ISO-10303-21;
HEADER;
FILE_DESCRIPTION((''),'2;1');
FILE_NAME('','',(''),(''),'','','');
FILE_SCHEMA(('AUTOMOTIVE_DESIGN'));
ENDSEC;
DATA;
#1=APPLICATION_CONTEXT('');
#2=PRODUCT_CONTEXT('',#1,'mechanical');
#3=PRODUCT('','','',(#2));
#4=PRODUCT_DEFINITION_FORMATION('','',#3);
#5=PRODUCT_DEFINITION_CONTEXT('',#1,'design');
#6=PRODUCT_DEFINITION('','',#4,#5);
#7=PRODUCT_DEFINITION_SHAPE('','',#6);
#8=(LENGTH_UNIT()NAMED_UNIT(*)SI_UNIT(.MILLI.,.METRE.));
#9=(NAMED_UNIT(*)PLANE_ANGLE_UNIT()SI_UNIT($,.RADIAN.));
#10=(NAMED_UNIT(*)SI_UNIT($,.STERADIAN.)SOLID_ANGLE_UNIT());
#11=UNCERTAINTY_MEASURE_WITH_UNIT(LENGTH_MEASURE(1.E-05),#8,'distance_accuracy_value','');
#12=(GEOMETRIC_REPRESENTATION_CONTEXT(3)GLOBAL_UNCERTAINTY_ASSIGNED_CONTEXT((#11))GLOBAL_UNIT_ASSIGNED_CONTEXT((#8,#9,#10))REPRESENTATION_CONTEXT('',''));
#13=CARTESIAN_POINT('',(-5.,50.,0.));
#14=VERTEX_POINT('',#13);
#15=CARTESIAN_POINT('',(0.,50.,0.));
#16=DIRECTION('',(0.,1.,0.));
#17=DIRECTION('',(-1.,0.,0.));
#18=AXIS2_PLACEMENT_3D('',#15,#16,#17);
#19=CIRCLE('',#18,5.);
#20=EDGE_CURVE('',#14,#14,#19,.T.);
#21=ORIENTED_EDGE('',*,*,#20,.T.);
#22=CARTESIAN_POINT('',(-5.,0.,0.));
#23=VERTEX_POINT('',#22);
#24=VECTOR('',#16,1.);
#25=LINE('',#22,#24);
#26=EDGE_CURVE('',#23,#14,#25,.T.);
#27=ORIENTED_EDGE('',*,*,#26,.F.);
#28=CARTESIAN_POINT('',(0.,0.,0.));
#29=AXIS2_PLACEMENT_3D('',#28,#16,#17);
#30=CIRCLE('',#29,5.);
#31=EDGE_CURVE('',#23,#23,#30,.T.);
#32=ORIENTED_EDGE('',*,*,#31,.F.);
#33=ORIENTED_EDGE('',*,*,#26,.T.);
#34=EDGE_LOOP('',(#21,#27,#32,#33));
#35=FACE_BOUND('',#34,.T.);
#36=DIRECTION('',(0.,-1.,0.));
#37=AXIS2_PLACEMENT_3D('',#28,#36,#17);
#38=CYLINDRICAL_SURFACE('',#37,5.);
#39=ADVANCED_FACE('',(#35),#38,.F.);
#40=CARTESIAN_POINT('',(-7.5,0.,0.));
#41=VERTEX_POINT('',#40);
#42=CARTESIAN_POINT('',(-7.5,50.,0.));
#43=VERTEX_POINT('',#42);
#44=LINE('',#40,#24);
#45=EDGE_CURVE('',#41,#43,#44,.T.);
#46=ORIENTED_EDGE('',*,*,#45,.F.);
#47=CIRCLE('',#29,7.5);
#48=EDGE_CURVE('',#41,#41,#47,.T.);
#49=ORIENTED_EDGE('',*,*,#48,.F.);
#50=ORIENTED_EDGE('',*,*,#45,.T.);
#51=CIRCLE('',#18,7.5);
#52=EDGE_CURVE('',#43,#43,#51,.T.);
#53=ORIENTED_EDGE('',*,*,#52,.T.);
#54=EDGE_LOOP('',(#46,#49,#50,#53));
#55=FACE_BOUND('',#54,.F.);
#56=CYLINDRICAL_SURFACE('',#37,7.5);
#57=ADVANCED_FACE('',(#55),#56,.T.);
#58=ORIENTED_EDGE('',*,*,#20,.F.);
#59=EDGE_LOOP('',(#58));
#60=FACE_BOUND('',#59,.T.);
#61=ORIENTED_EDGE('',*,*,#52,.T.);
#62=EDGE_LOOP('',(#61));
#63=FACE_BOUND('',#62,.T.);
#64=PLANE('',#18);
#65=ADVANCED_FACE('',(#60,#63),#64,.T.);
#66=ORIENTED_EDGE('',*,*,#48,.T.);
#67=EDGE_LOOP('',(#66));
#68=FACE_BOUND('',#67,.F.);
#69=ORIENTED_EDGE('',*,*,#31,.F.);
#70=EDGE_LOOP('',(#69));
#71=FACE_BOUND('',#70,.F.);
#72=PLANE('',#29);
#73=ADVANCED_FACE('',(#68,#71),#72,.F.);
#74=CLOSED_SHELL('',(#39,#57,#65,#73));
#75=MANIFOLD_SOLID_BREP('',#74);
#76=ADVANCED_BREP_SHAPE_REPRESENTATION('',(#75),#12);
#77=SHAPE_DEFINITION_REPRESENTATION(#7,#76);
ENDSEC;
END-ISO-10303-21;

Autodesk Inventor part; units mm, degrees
ref_plane "YZ Plane" through (0, 0, 0) normal (1, 0, 0) x (0, 1, 0)
ref_plane "XZ Plane" through (0, 0, 0) normal (0, 1, 0) x (-1, 0, 0)
ref_plane "XY Plane" through (0, 0, 0) normal (0, 0, 1) x (1, 0, 0)
sketch "Esquisse1" plane through (0, 0, 0) normal (0, 1, 0) x (-1, 0, 0)
  circle A0 centre (0, 0) radius 7.5
  circle A1 centre (0, 0) radius 5
  dimension "d0" = 15
  dimension "d1" = 10
extrude "Extrusion1" add sketch "Esquisse1" along normal blind 50
properties part number "tube" material "Tuyauterie PVC"
